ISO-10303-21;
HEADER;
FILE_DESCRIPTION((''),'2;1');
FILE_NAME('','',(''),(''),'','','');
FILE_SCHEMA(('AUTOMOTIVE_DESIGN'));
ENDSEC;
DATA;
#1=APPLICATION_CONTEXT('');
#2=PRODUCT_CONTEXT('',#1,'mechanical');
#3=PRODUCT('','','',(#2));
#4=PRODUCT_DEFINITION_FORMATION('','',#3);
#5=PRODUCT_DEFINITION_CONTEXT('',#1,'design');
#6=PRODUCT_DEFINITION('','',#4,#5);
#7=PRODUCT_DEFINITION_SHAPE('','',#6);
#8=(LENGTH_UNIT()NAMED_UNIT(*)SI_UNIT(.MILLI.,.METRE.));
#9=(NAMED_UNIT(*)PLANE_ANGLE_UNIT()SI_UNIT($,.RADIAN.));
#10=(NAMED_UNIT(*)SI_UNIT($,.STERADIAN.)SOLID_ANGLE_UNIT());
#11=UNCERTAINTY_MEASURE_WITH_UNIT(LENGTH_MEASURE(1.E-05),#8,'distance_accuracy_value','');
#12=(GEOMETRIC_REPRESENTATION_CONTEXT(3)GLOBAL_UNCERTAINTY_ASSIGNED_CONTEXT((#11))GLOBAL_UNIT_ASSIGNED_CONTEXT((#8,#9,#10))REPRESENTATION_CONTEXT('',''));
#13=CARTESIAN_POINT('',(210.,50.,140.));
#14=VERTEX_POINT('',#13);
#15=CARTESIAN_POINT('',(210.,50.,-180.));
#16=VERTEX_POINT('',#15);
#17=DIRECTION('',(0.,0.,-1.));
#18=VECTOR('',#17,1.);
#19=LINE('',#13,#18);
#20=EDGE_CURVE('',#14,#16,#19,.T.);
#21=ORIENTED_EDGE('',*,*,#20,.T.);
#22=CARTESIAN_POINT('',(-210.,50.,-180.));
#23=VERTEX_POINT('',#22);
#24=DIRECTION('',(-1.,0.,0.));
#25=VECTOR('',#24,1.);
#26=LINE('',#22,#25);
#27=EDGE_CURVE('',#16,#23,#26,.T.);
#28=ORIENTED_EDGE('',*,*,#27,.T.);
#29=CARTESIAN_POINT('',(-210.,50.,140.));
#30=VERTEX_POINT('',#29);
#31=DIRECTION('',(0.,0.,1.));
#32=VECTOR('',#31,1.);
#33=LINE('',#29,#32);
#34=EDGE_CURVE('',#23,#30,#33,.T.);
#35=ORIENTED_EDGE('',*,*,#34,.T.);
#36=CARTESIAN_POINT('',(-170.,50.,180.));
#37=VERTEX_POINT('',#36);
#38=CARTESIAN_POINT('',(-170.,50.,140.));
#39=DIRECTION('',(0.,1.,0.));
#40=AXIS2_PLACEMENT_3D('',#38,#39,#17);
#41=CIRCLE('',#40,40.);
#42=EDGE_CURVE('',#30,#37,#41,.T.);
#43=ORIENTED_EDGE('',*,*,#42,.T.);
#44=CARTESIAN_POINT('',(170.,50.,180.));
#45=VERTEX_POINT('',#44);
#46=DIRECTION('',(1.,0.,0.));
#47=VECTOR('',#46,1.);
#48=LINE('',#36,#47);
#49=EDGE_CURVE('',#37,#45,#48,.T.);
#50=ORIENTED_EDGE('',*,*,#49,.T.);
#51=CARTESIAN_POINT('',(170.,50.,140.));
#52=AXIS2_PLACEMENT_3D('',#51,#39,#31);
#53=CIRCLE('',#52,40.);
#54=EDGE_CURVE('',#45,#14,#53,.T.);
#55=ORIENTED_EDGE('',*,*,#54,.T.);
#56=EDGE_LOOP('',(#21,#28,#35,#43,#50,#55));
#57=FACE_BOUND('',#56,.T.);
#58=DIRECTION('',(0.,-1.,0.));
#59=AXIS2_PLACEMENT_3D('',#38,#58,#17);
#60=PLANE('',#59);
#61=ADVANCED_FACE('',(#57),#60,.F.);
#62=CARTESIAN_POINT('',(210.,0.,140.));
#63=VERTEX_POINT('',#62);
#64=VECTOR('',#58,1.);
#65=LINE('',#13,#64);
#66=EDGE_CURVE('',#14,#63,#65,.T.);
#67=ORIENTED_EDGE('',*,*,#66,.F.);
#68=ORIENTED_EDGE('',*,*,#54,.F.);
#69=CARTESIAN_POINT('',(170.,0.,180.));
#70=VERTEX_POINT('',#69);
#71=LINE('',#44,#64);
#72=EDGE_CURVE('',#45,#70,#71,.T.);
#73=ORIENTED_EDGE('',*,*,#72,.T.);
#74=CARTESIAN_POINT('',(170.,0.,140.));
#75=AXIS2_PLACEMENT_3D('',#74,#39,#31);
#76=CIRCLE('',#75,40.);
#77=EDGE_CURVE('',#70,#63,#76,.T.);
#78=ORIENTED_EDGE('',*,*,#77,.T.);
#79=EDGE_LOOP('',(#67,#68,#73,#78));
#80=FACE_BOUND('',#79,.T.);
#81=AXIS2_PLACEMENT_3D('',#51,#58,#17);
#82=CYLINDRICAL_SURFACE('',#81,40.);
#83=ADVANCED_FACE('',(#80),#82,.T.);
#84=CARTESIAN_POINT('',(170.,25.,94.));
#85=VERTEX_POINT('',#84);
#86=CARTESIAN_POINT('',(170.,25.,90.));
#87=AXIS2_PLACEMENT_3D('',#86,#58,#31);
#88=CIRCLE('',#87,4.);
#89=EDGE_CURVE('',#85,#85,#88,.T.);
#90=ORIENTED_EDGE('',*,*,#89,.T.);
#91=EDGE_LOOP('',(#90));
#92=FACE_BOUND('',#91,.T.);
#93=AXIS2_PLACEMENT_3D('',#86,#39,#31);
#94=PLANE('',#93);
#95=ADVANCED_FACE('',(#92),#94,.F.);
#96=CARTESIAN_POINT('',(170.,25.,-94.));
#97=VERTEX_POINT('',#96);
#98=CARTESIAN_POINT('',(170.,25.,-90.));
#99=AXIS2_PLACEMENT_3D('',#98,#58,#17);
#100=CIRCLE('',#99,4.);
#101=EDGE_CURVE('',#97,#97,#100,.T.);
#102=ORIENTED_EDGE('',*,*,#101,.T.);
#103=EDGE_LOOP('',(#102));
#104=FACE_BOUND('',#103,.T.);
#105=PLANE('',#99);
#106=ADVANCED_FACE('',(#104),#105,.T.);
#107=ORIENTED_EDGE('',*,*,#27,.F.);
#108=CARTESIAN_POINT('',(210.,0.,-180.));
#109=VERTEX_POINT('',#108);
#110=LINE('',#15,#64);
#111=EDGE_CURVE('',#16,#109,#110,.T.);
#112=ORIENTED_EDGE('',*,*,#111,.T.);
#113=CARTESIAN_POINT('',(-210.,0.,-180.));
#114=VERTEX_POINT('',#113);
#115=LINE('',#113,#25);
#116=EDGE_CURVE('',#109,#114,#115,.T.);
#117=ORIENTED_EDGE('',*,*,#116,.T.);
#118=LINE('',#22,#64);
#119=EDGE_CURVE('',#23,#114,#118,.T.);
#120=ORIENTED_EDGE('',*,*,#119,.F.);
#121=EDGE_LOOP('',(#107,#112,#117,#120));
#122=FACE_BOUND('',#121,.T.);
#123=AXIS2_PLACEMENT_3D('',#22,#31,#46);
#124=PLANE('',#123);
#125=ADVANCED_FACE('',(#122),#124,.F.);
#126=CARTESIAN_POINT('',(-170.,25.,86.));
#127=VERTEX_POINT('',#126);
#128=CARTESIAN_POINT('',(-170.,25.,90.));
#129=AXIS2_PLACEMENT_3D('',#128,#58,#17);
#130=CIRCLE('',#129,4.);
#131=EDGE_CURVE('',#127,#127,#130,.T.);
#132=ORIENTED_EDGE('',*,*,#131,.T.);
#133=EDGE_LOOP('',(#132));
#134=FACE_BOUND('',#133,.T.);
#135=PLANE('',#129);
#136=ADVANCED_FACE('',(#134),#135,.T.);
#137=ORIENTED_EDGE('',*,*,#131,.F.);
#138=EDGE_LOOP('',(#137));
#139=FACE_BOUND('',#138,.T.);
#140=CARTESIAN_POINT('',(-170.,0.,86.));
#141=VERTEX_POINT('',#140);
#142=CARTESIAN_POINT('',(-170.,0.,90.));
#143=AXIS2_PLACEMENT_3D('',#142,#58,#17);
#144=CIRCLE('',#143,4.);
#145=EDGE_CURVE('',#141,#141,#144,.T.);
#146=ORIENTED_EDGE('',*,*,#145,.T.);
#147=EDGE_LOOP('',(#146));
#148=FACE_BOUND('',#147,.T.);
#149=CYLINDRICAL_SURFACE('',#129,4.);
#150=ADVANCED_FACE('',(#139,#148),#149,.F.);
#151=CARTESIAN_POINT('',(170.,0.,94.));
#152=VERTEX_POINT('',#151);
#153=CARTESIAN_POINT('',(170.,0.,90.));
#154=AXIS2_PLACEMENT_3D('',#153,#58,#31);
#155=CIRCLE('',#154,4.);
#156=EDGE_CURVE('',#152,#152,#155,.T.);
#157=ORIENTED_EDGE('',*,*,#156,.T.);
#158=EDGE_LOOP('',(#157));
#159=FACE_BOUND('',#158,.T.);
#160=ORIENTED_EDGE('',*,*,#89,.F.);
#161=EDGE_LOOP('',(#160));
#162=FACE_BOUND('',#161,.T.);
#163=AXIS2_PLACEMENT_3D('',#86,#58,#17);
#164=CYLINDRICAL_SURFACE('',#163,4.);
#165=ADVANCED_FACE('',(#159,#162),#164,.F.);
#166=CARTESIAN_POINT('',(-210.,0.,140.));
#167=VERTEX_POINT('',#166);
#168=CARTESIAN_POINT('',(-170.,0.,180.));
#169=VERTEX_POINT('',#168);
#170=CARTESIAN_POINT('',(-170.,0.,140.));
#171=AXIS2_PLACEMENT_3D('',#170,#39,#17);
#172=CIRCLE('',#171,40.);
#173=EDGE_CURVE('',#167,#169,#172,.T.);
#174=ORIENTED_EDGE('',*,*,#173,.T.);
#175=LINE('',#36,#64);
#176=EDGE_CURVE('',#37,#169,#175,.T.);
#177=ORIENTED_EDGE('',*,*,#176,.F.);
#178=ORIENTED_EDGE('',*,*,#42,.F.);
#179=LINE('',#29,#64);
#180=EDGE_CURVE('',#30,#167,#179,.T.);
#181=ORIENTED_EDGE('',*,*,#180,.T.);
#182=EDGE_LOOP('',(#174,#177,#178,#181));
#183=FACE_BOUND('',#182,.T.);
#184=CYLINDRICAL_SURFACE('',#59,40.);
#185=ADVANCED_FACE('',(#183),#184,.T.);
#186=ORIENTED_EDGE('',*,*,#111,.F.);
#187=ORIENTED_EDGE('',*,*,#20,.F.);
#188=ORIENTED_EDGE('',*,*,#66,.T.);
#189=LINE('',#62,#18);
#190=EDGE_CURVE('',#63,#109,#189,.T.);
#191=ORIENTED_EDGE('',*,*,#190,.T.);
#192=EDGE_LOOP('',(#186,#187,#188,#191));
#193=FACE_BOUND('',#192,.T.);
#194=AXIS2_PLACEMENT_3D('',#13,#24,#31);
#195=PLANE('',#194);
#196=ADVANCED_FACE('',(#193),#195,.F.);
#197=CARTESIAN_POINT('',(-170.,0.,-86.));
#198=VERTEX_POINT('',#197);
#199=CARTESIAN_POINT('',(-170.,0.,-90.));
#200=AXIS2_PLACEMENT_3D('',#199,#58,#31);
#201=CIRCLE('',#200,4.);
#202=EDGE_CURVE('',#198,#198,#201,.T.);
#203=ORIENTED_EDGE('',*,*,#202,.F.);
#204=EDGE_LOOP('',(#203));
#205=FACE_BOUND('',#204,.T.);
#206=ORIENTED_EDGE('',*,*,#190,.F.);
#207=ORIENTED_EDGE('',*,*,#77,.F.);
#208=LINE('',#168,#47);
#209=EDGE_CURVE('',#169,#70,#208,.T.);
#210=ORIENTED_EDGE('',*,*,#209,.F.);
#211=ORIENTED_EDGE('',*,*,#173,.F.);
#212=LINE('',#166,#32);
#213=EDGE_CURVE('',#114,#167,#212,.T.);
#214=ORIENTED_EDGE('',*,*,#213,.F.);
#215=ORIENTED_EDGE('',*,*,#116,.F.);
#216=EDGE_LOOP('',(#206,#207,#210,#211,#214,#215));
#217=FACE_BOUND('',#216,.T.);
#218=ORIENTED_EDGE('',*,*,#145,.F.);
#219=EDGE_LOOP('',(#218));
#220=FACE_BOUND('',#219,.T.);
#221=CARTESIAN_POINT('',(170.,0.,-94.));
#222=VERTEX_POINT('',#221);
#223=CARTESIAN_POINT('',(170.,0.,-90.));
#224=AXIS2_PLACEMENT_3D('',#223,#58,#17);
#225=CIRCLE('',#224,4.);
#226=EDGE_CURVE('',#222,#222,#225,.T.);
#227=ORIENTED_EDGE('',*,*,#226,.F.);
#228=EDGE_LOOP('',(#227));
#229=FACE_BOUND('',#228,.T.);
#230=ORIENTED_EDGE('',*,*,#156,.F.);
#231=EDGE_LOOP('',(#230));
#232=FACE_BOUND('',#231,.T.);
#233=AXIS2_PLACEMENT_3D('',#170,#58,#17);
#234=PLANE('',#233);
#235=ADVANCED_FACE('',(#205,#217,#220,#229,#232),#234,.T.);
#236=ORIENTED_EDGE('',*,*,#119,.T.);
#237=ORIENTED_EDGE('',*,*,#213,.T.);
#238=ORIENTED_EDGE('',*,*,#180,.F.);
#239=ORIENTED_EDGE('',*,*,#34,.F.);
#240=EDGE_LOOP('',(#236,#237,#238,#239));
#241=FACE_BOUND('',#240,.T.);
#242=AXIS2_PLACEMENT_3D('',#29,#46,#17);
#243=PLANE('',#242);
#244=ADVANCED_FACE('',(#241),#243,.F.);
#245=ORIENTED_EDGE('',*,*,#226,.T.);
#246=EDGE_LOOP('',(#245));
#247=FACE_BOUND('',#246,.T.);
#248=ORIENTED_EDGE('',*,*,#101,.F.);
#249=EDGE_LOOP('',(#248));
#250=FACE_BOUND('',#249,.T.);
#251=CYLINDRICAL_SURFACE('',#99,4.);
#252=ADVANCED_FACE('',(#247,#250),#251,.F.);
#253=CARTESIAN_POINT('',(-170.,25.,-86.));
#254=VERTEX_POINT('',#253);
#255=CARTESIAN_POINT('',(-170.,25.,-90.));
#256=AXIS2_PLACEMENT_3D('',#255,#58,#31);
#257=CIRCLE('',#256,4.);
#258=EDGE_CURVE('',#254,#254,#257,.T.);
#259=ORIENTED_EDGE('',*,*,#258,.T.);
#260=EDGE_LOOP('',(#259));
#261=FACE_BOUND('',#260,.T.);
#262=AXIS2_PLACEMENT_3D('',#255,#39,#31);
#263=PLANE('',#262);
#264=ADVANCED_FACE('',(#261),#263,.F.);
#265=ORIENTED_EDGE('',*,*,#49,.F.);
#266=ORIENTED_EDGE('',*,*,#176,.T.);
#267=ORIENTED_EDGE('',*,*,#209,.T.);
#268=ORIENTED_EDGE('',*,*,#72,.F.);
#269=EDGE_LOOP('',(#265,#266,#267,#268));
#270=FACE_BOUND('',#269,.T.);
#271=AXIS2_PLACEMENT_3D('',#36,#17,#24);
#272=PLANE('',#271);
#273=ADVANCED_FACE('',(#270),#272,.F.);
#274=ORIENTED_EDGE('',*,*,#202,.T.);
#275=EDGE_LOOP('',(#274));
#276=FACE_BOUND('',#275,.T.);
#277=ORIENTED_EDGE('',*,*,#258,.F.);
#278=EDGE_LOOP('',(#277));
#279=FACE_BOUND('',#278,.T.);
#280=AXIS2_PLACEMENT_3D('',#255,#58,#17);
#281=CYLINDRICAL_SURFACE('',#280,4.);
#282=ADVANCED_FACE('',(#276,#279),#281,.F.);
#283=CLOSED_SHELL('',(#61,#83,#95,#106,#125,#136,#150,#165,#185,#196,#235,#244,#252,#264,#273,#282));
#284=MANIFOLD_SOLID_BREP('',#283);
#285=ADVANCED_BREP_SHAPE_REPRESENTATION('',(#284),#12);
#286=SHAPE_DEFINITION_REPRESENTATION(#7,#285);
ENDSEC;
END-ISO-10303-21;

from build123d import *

# Parameters (mm, degrees)
SALIENTE_EXTRUIR1_DEPTH = 50
CROQUIS5_R              = 4
CORTAR_EXTRUIR1_DEPTH   = 25


with BuildPart() as part:
    # Croquis1 → Saliente-Extruir1 (new body)
    with BuildSketch(Plane(origin=(0, 0, 0), x_dir=(1, 0, 0), z_dir=(0, 1, 0))):
        with BuildLine():
            Line((-170, -180), (170, -180))
            ThreePointArc((170, -180), (198.284271247, -168.284271247), (210, -140))
            Line((210, -140), (210, 180))
            Line((210, 180), (-210, 180))
            Line((-210, 180), (-210, -140))
            ThreePointArc((-210, -140), (-198.284271247, -168.284271247), (-170, -180))
        make_face()
    extrude(amount=SALIENTE_EXTRUIR1_DEPTH)

    # Croquis5 → Cortar-Extruir1 (cut)
    with BuildSketch(Plane.XZ):
        with Locations(Location((-170, 90, 0), (0, 0, 270))):
            Circle(CROQUIS5_R)
        with Locations(Location((-170, -90, 0), (0, 0, 90))):
            Circle(CROQUIS5_R)
        with Locations(Location((170, -90, 0), (0, 0, 270))):
            Circle(CROQUIS5_R)
        with Locations(Location((170, 90, 0), (0, 0, 90))):
            Circle(CROQUIS5_R)
    extrude(amount=-CORTAR_EXTRUIR1_DEPTH, mode=Mode.SUBTRACT)


solid = part.part
